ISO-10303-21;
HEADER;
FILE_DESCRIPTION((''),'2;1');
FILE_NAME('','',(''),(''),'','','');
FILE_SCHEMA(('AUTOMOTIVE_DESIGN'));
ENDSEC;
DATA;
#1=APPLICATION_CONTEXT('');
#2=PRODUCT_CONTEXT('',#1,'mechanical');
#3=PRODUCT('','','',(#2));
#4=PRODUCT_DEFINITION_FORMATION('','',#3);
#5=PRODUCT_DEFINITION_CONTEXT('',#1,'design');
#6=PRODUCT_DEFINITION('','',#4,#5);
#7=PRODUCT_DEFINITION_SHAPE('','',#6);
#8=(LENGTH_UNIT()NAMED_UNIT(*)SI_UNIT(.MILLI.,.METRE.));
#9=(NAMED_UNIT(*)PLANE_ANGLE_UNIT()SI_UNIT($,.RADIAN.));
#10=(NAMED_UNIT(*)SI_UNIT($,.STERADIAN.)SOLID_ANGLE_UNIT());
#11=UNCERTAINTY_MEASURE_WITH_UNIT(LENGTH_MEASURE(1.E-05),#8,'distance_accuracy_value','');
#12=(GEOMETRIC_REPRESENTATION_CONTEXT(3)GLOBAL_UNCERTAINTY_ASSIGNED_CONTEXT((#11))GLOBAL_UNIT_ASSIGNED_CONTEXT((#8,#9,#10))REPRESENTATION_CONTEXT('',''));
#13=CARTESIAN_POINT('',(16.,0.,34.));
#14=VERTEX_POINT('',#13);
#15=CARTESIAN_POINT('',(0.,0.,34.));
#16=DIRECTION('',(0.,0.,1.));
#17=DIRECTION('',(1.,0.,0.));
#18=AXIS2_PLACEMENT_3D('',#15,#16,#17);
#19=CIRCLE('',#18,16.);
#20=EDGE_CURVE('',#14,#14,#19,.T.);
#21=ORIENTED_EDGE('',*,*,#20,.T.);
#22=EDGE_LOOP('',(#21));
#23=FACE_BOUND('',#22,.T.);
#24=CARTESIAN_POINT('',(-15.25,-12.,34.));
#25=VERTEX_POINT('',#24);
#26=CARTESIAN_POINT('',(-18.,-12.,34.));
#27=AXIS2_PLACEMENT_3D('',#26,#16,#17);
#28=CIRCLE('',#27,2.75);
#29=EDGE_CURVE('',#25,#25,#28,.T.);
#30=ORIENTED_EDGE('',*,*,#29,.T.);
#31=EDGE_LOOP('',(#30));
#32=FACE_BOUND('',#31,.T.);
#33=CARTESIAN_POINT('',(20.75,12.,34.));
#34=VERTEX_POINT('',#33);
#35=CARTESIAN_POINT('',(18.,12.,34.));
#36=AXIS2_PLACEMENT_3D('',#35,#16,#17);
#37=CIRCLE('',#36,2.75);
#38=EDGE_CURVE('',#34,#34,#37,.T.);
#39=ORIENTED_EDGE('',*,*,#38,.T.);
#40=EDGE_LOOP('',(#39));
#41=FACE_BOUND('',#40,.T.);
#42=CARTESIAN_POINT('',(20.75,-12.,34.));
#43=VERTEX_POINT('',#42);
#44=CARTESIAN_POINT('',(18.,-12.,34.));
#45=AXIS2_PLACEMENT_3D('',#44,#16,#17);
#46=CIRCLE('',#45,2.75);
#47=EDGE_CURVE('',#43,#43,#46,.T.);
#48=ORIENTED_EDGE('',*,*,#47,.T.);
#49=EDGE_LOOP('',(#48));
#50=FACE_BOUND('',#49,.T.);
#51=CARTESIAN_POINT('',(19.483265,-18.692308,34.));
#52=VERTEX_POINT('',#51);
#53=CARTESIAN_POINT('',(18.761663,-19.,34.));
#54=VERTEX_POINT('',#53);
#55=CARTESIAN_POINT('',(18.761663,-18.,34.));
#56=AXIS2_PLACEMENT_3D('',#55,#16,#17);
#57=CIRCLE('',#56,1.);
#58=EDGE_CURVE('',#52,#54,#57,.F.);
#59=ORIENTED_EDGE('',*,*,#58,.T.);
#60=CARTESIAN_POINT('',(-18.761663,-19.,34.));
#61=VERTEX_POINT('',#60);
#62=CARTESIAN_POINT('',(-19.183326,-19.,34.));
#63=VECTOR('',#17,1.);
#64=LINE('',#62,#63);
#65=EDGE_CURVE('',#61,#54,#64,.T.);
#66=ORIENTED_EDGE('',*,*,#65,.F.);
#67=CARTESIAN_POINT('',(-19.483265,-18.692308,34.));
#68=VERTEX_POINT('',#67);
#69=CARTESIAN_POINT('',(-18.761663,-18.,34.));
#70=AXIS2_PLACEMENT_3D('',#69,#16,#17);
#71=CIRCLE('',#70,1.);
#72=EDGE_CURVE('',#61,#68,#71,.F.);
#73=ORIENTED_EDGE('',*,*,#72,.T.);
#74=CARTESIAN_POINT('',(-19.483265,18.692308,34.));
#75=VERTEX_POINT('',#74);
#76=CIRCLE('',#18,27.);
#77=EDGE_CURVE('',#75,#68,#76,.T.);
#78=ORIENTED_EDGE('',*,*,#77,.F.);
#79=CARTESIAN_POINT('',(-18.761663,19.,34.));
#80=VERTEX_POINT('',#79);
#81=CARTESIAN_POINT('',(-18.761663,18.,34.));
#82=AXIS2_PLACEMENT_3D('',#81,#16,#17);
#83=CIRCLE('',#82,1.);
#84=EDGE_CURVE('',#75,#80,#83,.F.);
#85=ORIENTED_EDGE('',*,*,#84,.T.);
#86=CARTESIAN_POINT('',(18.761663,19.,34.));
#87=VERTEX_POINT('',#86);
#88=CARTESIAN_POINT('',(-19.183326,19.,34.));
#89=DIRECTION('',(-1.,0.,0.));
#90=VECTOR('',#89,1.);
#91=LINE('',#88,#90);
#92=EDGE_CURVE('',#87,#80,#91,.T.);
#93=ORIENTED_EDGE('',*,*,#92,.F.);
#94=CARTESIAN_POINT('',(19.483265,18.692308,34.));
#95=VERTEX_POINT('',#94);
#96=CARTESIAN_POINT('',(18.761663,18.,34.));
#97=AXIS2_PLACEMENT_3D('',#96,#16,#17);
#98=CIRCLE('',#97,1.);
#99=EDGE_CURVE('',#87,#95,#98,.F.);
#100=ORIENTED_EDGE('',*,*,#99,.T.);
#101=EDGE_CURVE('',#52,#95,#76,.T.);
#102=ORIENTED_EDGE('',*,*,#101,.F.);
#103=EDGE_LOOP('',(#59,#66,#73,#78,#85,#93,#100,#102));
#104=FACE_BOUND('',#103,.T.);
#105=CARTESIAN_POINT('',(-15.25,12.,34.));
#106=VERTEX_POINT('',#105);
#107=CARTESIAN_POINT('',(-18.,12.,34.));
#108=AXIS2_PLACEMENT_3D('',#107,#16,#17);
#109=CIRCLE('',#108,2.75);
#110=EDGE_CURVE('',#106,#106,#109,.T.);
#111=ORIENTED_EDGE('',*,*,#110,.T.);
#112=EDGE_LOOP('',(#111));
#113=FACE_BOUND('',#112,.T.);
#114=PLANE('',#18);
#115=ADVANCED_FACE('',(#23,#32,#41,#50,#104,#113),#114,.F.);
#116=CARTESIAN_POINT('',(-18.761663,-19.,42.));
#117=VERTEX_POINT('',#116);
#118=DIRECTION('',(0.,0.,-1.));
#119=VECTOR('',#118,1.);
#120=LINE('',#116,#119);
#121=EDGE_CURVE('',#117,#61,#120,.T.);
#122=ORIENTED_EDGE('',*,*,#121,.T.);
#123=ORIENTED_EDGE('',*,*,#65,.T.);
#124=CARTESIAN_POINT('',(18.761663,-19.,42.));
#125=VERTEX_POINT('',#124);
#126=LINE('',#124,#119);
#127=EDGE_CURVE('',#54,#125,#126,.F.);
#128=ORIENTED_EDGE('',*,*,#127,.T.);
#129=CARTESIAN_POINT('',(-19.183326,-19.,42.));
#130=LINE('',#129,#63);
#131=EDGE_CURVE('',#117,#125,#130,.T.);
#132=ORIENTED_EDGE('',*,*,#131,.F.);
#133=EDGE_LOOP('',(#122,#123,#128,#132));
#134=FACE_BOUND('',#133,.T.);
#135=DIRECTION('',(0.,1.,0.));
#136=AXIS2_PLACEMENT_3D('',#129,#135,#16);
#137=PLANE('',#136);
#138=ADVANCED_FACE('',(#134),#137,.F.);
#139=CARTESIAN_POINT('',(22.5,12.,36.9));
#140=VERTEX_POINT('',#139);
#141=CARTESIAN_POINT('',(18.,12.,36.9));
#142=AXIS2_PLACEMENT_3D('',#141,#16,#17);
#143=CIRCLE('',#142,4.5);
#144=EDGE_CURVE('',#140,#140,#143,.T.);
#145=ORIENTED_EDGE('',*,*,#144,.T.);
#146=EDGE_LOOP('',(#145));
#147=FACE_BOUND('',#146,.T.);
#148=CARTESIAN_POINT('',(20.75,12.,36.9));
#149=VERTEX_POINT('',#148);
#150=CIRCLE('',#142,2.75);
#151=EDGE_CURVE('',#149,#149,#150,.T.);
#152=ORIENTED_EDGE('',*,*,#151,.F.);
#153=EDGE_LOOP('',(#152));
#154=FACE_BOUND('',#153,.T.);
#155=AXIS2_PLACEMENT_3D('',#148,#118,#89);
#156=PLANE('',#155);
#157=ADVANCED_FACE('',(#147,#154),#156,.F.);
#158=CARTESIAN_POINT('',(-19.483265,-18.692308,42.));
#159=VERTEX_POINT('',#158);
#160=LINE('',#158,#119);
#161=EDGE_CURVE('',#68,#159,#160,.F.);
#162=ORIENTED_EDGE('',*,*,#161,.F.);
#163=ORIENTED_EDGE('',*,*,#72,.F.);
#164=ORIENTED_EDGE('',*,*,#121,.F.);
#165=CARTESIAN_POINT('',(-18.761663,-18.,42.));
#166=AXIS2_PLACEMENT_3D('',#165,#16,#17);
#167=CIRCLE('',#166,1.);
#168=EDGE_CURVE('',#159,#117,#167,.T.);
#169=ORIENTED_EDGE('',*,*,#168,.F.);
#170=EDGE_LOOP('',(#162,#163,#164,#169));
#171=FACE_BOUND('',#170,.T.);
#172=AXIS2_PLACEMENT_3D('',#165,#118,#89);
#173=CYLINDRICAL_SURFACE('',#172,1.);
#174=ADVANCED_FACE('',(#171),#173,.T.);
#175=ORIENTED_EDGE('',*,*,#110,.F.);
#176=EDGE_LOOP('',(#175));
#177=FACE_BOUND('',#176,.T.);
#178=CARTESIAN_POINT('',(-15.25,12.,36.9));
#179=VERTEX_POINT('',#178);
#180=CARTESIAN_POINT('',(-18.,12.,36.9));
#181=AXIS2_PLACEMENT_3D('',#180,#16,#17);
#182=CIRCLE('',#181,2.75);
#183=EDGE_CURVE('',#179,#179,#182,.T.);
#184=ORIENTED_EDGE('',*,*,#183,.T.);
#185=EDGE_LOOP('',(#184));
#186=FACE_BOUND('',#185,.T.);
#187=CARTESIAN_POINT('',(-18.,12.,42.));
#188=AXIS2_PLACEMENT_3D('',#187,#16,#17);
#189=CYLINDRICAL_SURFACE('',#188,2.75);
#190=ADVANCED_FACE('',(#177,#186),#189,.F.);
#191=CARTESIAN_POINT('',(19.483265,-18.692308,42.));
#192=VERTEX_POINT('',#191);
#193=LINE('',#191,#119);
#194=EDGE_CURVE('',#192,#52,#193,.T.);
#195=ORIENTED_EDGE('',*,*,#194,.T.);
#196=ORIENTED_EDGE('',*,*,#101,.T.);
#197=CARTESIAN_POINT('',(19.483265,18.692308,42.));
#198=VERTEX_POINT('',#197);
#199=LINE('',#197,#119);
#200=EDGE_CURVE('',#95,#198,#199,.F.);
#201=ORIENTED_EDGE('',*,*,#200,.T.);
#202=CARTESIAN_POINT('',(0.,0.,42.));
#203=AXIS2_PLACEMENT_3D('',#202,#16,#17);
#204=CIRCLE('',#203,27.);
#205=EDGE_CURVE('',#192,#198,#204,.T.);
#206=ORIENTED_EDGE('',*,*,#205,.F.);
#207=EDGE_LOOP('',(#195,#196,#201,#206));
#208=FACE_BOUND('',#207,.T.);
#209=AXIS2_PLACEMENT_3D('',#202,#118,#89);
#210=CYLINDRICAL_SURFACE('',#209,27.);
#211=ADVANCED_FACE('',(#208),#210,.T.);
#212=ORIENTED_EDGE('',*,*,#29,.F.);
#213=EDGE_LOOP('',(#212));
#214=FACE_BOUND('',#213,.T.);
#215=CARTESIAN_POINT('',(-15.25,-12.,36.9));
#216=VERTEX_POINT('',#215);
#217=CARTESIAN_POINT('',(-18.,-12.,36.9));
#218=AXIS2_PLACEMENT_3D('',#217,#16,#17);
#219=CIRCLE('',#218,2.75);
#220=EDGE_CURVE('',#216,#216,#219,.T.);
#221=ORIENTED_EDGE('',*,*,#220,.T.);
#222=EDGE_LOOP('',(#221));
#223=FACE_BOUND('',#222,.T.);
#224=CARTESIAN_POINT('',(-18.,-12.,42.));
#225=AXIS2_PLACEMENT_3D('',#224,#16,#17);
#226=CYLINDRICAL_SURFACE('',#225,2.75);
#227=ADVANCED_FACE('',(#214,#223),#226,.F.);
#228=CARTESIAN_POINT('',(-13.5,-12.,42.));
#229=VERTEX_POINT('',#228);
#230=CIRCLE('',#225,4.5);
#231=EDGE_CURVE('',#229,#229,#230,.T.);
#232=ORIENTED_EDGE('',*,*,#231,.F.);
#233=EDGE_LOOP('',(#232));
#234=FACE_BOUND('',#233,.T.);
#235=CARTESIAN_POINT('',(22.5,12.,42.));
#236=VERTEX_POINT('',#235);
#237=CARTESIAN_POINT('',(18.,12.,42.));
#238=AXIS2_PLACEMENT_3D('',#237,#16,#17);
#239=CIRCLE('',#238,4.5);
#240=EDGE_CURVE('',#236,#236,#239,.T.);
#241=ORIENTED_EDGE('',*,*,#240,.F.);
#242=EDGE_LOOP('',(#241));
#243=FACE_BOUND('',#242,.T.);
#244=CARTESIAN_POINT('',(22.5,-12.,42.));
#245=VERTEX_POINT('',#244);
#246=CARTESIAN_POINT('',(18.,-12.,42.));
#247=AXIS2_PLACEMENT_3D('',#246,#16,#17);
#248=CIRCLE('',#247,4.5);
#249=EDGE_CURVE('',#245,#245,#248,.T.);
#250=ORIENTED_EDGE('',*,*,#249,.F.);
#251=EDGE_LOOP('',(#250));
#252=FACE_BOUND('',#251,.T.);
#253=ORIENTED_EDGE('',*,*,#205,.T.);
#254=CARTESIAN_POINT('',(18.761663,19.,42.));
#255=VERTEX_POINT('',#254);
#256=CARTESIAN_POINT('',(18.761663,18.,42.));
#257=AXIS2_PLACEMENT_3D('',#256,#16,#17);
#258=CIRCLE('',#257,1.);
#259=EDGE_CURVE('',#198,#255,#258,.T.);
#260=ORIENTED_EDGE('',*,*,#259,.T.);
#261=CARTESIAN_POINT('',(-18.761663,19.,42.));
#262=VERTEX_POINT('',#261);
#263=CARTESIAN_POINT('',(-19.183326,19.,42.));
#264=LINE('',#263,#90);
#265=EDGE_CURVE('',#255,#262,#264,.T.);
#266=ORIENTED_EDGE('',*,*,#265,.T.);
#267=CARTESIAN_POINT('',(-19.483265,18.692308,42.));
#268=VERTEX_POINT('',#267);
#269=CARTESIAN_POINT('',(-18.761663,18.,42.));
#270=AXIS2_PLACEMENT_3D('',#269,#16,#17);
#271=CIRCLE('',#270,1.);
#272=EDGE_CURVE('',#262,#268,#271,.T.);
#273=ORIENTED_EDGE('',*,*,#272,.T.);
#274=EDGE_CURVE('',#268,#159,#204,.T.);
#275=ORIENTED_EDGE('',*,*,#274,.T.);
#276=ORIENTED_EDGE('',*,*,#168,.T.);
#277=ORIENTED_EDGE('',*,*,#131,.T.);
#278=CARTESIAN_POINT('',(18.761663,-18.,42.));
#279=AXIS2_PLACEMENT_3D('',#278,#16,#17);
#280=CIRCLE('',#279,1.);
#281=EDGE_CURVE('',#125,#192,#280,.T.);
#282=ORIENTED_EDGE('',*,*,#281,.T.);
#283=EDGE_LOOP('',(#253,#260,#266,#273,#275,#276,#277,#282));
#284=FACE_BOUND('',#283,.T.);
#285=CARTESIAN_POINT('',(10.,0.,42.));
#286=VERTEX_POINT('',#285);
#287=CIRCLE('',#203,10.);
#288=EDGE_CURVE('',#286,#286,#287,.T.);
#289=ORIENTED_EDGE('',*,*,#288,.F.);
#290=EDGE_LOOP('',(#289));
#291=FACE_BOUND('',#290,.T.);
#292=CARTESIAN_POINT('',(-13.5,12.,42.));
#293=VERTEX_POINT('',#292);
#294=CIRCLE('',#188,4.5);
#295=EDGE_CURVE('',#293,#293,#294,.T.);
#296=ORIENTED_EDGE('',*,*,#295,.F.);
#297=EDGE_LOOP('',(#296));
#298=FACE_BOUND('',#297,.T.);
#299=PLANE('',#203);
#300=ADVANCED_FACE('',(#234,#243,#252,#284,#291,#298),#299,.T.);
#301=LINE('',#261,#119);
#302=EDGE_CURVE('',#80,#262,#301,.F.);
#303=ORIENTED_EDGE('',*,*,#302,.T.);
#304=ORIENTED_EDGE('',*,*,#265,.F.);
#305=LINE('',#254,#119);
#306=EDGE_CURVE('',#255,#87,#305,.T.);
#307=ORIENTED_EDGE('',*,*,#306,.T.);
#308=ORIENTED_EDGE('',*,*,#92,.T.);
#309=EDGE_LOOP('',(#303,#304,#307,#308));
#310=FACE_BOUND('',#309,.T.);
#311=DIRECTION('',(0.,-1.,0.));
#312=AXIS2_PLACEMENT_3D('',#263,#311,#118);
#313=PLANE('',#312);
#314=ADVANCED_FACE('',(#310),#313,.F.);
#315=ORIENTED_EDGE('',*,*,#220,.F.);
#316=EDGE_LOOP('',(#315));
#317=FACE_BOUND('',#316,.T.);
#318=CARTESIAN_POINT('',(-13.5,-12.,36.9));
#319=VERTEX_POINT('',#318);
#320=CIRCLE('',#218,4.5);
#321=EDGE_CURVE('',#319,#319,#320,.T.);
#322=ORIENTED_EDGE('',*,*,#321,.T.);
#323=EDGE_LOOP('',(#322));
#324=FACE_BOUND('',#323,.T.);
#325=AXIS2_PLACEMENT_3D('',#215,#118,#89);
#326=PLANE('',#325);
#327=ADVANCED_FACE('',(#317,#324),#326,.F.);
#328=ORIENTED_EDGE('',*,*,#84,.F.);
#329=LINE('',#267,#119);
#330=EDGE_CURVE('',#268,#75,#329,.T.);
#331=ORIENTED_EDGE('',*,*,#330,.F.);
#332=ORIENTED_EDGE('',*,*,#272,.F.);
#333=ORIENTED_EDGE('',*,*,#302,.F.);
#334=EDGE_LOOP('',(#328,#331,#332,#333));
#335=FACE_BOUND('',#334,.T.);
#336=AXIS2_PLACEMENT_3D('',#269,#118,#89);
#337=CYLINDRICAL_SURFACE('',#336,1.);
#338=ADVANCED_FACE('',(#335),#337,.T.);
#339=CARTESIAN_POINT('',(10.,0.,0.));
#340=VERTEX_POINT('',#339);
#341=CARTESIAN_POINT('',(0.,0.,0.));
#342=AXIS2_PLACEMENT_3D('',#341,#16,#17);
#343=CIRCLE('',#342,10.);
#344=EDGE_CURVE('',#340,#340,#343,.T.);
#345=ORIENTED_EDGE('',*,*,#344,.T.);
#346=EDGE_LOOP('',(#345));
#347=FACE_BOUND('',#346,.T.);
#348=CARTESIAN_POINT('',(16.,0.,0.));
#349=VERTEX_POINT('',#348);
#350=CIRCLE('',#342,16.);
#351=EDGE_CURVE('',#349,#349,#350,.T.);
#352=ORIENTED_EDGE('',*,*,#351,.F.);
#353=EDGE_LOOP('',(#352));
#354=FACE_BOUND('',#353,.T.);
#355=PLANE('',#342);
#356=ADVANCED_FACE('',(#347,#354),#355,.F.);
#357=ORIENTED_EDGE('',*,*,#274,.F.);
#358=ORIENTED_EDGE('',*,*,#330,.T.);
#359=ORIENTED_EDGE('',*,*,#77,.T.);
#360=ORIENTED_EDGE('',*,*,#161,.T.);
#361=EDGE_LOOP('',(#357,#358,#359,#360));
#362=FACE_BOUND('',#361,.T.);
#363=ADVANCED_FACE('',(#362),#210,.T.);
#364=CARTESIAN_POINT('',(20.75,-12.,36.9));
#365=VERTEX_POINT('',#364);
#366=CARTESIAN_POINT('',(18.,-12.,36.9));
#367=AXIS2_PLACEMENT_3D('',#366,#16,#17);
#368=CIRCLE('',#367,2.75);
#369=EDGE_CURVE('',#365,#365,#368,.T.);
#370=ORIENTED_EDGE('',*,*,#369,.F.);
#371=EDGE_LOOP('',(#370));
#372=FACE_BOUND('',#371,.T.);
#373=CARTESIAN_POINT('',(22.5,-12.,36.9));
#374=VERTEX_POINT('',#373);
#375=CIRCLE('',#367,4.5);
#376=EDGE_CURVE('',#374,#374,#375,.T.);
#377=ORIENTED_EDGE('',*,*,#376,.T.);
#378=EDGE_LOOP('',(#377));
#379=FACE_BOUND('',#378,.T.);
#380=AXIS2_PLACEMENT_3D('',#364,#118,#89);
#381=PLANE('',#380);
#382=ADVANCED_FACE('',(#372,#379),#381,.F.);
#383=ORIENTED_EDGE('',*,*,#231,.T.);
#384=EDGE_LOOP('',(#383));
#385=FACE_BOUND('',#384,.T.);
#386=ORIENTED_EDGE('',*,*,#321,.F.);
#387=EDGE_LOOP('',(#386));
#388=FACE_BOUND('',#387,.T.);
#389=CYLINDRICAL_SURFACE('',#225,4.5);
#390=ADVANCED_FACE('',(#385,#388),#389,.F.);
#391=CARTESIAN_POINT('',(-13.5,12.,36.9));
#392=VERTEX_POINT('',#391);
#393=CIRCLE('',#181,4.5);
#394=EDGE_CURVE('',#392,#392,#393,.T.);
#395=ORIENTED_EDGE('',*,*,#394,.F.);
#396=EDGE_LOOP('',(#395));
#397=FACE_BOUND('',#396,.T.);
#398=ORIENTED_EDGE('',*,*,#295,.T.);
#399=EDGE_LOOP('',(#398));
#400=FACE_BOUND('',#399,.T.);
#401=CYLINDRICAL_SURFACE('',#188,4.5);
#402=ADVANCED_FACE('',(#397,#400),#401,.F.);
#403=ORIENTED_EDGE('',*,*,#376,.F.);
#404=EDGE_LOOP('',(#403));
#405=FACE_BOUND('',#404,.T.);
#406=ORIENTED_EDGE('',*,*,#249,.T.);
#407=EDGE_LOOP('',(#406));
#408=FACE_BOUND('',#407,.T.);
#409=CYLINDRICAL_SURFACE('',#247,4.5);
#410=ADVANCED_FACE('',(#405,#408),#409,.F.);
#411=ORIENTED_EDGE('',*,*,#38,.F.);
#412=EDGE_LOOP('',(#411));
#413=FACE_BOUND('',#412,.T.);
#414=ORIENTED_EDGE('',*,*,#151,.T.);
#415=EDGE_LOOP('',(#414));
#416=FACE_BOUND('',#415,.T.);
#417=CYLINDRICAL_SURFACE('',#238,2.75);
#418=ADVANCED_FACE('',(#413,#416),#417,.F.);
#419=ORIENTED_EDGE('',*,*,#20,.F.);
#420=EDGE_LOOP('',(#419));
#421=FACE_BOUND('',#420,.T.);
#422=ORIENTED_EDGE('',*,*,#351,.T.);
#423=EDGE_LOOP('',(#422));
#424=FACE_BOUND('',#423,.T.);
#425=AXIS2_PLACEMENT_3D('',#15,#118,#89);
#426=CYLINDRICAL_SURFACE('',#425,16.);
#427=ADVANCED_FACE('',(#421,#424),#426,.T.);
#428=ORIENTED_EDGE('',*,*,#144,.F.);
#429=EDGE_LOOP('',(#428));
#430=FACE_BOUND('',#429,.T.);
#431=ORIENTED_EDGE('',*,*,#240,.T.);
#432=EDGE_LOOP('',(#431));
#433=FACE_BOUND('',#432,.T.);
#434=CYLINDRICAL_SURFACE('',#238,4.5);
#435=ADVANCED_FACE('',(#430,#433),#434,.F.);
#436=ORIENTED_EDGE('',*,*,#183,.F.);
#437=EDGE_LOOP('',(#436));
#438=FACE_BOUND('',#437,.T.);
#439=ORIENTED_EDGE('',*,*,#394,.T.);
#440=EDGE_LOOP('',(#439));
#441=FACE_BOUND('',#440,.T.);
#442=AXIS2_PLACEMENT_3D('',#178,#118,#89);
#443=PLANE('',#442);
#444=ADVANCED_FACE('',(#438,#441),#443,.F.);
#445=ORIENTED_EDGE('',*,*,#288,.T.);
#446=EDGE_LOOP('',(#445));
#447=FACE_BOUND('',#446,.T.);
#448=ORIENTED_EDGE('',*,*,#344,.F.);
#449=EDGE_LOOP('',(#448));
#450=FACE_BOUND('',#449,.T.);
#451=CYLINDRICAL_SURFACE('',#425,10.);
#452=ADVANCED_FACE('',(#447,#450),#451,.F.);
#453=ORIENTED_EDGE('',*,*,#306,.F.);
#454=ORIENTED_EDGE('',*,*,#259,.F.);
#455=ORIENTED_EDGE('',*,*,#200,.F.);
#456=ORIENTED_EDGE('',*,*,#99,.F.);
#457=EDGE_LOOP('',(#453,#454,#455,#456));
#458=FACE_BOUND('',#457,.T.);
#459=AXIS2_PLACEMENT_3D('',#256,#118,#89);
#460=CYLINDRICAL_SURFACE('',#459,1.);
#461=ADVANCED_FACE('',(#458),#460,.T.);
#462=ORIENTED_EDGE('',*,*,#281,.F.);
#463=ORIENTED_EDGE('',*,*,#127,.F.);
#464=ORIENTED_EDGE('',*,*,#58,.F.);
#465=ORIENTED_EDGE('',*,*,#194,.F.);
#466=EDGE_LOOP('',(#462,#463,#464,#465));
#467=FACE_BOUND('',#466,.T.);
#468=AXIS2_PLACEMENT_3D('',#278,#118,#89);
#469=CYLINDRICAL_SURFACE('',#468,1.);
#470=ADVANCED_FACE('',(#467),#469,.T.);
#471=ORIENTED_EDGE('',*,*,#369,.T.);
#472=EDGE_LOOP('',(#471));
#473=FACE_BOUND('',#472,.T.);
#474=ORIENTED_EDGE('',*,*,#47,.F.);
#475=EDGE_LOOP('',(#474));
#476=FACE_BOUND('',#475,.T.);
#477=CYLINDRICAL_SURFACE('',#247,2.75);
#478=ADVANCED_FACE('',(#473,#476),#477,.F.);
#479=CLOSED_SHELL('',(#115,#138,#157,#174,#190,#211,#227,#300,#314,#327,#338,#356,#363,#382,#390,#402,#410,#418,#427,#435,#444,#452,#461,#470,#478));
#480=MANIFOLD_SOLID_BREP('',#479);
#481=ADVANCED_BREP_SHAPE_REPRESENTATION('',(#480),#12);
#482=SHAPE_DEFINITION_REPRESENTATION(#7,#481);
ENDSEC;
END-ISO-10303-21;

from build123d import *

# Parameters (mm, degrees)
SKETCH1_R                                           = 16
SKETCH1_R_2                                         = 10
BOSS_EXTRUDE1_DEPTH                                 = 34
SKETCH2_R                                           = 10
BOSS_EXTRUDE2_DEPTH                                 = 8
CBORE_FOR_M5_HEX_SOCKET_HEAD_CAP_SCREW1_D           = 5.5
CBORE_FOR_M5_HEX_SOCKET_HEAD_CAP_SCREW1_CBORE_D     = 9
CBORE_FOR_M5_HEX_SOCKET_HEAD_CAP_SCREW1_CBORE_DEPTH = 5.1
FILLET1_R                                           = 1


with BuildPart() as part:
    # Sketch1 → Boss-Extrude1 (new body)
    with BuildSketch(Plane.XY):
        Circle(SKETCH1_R)
        Circle(SKETCH1_R_2, mode=Mode.SUBTRACT)
    extrude(amount=BOSS_EXTRUDE1_DEPTH)

    # Sketch2 → Boss-Extrude2 (add)
    with BuildSketch(Plane.XY.offset(34)):
        with BuildLine():
            Line((-19.183326093, -19), (19.183326093, -19))
            ThreePointArc((19.183326093, -19), (27, 0), (19.183326093, 19))
            Line((19.183326093, 19), (-19.183326093, 19))
            ThreePointArc((-19.183326093, 19), (-27, 0), (-19.183326093, -19))
        make_face()
        Circle(SKETCH2_R, mode=Mode.SUBTRACT)
    extrude(amount=BOSS_EXTRUDE2_DEPTH)

    # CBORE for M5 Hex Socket Head Cap Screw1 (through all)
    with Locations(Plane(origin=(-18, -12, 42), x_dir=(1, 0, 0), z_dir=(0, 0, 1))):
        with Locations((0, 0), (0, 24), (36, 24), (36, 0)):
            CounterBoreHole(CBORE_FOR_M5_HEX_SOCKET_HEAD_CAP_SCREW1_D / 2, CBORE_FOR_M5_HEX_SOCKET_HEAD_CAP_SCREW1_CBORE_D / 2, CBORE_FOR_M5_HEX_SOCKET_HEAD_CAP_SCREW1_CBORE_DEPTH)

    # Fillet1
    fillet1_edges = [part.edges().sort_by_distance(p)[0] for p in [
        (-19.183326093, 19, 38),
        (-19.183326093, -19, 38),
        (19.183326093, -19, 38),
        (19.183326093, 19, 38),
    ]]
    fillet(fillet1_edges, radius=FILLET1_R)


solid = part.part
